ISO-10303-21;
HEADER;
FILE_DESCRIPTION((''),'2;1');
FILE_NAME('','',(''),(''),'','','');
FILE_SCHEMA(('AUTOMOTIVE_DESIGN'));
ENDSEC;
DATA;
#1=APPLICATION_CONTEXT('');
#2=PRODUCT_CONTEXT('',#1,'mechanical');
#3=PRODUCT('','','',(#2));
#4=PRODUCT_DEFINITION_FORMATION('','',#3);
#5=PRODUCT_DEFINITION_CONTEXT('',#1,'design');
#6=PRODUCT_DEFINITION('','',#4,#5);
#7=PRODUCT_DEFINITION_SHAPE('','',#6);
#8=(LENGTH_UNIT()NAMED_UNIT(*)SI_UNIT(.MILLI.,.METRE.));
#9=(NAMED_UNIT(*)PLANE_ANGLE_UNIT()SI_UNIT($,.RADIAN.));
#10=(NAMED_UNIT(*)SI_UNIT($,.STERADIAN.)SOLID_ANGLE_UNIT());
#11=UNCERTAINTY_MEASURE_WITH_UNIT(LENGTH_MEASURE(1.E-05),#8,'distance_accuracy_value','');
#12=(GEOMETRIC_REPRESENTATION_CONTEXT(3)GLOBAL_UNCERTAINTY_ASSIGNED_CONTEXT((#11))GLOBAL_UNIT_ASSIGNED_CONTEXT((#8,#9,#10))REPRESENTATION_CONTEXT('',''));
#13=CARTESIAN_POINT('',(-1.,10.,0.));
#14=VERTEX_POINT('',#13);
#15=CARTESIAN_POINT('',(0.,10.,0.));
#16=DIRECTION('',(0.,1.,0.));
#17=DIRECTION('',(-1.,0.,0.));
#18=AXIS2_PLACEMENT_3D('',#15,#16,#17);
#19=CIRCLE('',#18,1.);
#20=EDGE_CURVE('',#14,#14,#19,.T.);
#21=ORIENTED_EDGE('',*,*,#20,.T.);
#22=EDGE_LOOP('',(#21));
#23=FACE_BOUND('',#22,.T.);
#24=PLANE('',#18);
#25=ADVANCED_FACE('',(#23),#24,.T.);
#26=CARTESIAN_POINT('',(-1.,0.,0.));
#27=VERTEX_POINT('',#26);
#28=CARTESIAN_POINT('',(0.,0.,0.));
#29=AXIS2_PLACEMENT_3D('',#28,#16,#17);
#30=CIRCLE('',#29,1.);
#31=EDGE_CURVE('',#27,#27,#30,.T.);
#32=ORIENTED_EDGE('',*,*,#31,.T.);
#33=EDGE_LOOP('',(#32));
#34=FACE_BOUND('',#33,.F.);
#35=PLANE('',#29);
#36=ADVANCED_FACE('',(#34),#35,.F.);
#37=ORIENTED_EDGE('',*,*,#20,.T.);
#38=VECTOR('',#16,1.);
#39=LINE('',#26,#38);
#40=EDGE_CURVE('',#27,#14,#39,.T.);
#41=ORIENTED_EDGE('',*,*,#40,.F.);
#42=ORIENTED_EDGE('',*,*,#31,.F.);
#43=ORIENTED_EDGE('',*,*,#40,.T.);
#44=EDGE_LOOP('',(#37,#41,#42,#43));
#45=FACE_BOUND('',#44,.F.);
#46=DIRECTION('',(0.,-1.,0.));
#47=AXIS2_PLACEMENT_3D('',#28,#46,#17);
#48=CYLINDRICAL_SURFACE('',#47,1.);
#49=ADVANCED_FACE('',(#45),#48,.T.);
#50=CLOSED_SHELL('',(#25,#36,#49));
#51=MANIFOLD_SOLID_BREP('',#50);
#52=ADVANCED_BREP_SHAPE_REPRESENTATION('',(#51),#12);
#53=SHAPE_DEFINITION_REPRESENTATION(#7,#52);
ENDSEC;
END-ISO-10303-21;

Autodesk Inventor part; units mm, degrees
ref_plane "YZ Plane" through (0, 0, 0) normal (1, 0, 0) x (0, 1, 0)
ref_plane "XZ Plane" through (0, 0, 0) normal (0, 1, 0) x (-1, 0, 0)
ref_plane "XY Plane" through (0, 0, 0) normal (0, 0, 1) x (1, 0, 0)
sketch "Skizze1" plane through (0, 0, 0) normal (0, 1, 0) x (-1, 0, 0)
  circle A0 centre (0, 0) radius 1
  dimension "d0" = 2
extrude "Extrusion1" add sketch "Skizze1" along normal blind 10
properties part number "Bolzen"
